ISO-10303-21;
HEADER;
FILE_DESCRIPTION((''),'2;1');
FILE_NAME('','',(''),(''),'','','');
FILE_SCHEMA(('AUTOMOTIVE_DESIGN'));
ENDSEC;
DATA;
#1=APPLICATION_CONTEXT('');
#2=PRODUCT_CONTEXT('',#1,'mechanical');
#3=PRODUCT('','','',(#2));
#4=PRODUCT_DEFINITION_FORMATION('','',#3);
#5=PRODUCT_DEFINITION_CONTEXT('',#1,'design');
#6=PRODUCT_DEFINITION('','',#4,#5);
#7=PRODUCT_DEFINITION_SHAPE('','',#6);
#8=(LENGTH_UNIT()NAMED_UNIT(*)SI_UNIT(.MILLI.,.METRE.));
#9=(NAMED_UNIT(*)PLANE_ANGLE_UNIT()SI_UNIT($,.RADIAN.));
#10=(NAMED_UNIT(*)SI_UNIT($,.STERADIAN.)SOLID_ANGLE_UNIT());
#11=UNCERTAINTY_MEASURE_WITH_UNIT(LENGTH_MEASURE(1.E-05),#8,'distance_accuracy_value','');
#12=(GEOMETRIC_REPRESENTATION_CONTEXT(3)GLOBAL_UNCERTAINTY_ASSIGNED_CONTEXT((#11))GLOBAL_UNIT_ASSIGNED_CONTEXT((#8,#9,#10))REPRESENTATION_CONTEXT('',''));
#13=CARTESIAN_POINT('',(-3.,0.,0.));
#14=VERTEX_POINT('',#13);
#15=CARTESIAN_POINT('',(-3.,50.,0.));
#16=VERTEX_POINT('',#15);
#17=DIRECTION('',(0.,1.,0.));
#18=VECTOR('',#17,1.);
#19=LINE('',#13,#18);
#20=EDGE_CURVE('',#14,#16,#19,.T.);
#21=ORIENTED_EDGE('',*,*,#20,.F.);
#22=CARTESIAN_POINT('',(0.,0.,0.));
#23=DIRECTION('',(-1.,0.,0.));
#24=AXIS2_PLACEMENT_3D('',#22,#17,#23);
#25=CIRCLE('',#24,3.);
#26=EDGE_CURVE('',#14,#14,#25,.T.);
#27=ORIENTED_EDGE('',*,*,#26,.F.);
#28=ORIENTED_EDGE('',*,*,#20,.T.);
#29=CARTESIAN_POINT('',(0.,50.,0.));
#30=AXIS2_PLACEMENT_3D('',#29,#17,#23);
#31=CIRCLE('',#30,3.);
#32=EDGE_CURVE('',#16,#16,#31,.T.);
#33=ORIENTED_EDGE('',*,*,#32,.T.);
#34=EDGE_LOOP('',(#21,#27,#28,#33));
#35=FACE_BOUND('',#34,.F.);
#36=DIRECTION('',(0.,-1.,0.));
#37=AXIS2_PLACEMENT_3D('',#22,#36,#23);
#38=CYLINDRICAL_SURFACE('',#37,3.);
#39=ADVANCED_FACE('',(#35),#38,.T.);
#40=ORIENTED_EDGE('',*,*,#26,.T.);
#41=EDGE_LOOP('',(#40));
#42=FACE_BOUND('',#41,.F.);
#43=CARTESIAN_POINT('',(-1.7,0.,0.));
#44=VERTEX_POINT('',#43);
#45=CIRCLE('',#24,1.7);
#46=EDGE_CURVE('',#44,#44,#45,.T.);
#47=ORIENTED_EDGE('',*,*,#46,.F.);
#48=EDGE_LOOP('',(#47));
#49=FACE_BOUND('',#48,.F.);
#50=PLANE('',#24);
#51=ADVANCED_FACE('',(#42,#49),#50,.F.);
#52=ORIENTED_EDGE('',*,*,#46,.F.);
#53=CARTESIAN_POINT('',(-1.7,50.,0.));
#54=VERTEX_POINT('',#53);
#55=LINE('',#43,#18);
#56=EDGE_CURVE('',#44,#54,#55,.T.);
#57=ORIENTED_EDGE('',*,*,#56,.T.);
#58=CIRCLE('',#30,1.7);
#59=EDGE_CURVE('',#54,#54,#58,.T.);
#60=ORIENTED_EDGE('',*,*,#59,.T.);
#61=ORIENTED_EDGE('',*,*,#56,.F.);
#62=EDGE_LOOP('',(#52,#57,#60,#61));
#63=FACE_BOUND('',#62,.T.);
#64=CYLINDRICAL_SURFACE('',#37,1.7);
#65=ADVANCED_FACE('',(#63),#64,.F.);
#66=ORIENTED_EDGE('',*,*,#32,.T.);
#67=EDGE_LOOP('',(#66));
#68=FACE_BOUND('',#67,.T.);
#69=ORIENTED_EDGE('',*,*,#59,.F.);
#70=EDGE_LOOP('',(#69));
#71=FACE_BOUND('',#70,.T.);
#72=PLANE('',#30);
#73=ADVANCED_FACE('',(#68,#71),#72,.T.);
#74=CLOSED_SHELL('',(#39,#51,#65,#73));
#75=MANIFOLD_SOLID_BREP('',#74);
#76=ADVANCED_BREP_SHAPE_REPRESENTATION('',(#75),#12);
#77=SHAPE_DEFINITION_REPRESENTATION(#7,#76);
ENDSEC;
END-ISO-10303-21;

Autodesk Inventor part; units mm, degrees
ref_plane "YZ Plane" through (0, 0, 0) normal (1, 0, 0) x (0, 1, 0)
ref_plane "XZ Plane" through (0, 0, 0) normal (0, 1, 0) x (-1, 0, 0)
ref_plane "XY Plane" through (0, 0, 0) normal (0, 0, 1) x (1, 0, 0)
sketch "Sketch1" plane through (0, 0, 0) normal (0, 1, 0) x (-1, 0, 0)
  circle A0 centre (0, 0) radius 1.7
  circle A1 centre (0, 0) radius 3
  dimension "d0" = 3.4
  dimension "d1" = 6
extrude "Extrusion1" add sketch "Sketch1" along normal blind 50
properties part number "50mmSpacer"
